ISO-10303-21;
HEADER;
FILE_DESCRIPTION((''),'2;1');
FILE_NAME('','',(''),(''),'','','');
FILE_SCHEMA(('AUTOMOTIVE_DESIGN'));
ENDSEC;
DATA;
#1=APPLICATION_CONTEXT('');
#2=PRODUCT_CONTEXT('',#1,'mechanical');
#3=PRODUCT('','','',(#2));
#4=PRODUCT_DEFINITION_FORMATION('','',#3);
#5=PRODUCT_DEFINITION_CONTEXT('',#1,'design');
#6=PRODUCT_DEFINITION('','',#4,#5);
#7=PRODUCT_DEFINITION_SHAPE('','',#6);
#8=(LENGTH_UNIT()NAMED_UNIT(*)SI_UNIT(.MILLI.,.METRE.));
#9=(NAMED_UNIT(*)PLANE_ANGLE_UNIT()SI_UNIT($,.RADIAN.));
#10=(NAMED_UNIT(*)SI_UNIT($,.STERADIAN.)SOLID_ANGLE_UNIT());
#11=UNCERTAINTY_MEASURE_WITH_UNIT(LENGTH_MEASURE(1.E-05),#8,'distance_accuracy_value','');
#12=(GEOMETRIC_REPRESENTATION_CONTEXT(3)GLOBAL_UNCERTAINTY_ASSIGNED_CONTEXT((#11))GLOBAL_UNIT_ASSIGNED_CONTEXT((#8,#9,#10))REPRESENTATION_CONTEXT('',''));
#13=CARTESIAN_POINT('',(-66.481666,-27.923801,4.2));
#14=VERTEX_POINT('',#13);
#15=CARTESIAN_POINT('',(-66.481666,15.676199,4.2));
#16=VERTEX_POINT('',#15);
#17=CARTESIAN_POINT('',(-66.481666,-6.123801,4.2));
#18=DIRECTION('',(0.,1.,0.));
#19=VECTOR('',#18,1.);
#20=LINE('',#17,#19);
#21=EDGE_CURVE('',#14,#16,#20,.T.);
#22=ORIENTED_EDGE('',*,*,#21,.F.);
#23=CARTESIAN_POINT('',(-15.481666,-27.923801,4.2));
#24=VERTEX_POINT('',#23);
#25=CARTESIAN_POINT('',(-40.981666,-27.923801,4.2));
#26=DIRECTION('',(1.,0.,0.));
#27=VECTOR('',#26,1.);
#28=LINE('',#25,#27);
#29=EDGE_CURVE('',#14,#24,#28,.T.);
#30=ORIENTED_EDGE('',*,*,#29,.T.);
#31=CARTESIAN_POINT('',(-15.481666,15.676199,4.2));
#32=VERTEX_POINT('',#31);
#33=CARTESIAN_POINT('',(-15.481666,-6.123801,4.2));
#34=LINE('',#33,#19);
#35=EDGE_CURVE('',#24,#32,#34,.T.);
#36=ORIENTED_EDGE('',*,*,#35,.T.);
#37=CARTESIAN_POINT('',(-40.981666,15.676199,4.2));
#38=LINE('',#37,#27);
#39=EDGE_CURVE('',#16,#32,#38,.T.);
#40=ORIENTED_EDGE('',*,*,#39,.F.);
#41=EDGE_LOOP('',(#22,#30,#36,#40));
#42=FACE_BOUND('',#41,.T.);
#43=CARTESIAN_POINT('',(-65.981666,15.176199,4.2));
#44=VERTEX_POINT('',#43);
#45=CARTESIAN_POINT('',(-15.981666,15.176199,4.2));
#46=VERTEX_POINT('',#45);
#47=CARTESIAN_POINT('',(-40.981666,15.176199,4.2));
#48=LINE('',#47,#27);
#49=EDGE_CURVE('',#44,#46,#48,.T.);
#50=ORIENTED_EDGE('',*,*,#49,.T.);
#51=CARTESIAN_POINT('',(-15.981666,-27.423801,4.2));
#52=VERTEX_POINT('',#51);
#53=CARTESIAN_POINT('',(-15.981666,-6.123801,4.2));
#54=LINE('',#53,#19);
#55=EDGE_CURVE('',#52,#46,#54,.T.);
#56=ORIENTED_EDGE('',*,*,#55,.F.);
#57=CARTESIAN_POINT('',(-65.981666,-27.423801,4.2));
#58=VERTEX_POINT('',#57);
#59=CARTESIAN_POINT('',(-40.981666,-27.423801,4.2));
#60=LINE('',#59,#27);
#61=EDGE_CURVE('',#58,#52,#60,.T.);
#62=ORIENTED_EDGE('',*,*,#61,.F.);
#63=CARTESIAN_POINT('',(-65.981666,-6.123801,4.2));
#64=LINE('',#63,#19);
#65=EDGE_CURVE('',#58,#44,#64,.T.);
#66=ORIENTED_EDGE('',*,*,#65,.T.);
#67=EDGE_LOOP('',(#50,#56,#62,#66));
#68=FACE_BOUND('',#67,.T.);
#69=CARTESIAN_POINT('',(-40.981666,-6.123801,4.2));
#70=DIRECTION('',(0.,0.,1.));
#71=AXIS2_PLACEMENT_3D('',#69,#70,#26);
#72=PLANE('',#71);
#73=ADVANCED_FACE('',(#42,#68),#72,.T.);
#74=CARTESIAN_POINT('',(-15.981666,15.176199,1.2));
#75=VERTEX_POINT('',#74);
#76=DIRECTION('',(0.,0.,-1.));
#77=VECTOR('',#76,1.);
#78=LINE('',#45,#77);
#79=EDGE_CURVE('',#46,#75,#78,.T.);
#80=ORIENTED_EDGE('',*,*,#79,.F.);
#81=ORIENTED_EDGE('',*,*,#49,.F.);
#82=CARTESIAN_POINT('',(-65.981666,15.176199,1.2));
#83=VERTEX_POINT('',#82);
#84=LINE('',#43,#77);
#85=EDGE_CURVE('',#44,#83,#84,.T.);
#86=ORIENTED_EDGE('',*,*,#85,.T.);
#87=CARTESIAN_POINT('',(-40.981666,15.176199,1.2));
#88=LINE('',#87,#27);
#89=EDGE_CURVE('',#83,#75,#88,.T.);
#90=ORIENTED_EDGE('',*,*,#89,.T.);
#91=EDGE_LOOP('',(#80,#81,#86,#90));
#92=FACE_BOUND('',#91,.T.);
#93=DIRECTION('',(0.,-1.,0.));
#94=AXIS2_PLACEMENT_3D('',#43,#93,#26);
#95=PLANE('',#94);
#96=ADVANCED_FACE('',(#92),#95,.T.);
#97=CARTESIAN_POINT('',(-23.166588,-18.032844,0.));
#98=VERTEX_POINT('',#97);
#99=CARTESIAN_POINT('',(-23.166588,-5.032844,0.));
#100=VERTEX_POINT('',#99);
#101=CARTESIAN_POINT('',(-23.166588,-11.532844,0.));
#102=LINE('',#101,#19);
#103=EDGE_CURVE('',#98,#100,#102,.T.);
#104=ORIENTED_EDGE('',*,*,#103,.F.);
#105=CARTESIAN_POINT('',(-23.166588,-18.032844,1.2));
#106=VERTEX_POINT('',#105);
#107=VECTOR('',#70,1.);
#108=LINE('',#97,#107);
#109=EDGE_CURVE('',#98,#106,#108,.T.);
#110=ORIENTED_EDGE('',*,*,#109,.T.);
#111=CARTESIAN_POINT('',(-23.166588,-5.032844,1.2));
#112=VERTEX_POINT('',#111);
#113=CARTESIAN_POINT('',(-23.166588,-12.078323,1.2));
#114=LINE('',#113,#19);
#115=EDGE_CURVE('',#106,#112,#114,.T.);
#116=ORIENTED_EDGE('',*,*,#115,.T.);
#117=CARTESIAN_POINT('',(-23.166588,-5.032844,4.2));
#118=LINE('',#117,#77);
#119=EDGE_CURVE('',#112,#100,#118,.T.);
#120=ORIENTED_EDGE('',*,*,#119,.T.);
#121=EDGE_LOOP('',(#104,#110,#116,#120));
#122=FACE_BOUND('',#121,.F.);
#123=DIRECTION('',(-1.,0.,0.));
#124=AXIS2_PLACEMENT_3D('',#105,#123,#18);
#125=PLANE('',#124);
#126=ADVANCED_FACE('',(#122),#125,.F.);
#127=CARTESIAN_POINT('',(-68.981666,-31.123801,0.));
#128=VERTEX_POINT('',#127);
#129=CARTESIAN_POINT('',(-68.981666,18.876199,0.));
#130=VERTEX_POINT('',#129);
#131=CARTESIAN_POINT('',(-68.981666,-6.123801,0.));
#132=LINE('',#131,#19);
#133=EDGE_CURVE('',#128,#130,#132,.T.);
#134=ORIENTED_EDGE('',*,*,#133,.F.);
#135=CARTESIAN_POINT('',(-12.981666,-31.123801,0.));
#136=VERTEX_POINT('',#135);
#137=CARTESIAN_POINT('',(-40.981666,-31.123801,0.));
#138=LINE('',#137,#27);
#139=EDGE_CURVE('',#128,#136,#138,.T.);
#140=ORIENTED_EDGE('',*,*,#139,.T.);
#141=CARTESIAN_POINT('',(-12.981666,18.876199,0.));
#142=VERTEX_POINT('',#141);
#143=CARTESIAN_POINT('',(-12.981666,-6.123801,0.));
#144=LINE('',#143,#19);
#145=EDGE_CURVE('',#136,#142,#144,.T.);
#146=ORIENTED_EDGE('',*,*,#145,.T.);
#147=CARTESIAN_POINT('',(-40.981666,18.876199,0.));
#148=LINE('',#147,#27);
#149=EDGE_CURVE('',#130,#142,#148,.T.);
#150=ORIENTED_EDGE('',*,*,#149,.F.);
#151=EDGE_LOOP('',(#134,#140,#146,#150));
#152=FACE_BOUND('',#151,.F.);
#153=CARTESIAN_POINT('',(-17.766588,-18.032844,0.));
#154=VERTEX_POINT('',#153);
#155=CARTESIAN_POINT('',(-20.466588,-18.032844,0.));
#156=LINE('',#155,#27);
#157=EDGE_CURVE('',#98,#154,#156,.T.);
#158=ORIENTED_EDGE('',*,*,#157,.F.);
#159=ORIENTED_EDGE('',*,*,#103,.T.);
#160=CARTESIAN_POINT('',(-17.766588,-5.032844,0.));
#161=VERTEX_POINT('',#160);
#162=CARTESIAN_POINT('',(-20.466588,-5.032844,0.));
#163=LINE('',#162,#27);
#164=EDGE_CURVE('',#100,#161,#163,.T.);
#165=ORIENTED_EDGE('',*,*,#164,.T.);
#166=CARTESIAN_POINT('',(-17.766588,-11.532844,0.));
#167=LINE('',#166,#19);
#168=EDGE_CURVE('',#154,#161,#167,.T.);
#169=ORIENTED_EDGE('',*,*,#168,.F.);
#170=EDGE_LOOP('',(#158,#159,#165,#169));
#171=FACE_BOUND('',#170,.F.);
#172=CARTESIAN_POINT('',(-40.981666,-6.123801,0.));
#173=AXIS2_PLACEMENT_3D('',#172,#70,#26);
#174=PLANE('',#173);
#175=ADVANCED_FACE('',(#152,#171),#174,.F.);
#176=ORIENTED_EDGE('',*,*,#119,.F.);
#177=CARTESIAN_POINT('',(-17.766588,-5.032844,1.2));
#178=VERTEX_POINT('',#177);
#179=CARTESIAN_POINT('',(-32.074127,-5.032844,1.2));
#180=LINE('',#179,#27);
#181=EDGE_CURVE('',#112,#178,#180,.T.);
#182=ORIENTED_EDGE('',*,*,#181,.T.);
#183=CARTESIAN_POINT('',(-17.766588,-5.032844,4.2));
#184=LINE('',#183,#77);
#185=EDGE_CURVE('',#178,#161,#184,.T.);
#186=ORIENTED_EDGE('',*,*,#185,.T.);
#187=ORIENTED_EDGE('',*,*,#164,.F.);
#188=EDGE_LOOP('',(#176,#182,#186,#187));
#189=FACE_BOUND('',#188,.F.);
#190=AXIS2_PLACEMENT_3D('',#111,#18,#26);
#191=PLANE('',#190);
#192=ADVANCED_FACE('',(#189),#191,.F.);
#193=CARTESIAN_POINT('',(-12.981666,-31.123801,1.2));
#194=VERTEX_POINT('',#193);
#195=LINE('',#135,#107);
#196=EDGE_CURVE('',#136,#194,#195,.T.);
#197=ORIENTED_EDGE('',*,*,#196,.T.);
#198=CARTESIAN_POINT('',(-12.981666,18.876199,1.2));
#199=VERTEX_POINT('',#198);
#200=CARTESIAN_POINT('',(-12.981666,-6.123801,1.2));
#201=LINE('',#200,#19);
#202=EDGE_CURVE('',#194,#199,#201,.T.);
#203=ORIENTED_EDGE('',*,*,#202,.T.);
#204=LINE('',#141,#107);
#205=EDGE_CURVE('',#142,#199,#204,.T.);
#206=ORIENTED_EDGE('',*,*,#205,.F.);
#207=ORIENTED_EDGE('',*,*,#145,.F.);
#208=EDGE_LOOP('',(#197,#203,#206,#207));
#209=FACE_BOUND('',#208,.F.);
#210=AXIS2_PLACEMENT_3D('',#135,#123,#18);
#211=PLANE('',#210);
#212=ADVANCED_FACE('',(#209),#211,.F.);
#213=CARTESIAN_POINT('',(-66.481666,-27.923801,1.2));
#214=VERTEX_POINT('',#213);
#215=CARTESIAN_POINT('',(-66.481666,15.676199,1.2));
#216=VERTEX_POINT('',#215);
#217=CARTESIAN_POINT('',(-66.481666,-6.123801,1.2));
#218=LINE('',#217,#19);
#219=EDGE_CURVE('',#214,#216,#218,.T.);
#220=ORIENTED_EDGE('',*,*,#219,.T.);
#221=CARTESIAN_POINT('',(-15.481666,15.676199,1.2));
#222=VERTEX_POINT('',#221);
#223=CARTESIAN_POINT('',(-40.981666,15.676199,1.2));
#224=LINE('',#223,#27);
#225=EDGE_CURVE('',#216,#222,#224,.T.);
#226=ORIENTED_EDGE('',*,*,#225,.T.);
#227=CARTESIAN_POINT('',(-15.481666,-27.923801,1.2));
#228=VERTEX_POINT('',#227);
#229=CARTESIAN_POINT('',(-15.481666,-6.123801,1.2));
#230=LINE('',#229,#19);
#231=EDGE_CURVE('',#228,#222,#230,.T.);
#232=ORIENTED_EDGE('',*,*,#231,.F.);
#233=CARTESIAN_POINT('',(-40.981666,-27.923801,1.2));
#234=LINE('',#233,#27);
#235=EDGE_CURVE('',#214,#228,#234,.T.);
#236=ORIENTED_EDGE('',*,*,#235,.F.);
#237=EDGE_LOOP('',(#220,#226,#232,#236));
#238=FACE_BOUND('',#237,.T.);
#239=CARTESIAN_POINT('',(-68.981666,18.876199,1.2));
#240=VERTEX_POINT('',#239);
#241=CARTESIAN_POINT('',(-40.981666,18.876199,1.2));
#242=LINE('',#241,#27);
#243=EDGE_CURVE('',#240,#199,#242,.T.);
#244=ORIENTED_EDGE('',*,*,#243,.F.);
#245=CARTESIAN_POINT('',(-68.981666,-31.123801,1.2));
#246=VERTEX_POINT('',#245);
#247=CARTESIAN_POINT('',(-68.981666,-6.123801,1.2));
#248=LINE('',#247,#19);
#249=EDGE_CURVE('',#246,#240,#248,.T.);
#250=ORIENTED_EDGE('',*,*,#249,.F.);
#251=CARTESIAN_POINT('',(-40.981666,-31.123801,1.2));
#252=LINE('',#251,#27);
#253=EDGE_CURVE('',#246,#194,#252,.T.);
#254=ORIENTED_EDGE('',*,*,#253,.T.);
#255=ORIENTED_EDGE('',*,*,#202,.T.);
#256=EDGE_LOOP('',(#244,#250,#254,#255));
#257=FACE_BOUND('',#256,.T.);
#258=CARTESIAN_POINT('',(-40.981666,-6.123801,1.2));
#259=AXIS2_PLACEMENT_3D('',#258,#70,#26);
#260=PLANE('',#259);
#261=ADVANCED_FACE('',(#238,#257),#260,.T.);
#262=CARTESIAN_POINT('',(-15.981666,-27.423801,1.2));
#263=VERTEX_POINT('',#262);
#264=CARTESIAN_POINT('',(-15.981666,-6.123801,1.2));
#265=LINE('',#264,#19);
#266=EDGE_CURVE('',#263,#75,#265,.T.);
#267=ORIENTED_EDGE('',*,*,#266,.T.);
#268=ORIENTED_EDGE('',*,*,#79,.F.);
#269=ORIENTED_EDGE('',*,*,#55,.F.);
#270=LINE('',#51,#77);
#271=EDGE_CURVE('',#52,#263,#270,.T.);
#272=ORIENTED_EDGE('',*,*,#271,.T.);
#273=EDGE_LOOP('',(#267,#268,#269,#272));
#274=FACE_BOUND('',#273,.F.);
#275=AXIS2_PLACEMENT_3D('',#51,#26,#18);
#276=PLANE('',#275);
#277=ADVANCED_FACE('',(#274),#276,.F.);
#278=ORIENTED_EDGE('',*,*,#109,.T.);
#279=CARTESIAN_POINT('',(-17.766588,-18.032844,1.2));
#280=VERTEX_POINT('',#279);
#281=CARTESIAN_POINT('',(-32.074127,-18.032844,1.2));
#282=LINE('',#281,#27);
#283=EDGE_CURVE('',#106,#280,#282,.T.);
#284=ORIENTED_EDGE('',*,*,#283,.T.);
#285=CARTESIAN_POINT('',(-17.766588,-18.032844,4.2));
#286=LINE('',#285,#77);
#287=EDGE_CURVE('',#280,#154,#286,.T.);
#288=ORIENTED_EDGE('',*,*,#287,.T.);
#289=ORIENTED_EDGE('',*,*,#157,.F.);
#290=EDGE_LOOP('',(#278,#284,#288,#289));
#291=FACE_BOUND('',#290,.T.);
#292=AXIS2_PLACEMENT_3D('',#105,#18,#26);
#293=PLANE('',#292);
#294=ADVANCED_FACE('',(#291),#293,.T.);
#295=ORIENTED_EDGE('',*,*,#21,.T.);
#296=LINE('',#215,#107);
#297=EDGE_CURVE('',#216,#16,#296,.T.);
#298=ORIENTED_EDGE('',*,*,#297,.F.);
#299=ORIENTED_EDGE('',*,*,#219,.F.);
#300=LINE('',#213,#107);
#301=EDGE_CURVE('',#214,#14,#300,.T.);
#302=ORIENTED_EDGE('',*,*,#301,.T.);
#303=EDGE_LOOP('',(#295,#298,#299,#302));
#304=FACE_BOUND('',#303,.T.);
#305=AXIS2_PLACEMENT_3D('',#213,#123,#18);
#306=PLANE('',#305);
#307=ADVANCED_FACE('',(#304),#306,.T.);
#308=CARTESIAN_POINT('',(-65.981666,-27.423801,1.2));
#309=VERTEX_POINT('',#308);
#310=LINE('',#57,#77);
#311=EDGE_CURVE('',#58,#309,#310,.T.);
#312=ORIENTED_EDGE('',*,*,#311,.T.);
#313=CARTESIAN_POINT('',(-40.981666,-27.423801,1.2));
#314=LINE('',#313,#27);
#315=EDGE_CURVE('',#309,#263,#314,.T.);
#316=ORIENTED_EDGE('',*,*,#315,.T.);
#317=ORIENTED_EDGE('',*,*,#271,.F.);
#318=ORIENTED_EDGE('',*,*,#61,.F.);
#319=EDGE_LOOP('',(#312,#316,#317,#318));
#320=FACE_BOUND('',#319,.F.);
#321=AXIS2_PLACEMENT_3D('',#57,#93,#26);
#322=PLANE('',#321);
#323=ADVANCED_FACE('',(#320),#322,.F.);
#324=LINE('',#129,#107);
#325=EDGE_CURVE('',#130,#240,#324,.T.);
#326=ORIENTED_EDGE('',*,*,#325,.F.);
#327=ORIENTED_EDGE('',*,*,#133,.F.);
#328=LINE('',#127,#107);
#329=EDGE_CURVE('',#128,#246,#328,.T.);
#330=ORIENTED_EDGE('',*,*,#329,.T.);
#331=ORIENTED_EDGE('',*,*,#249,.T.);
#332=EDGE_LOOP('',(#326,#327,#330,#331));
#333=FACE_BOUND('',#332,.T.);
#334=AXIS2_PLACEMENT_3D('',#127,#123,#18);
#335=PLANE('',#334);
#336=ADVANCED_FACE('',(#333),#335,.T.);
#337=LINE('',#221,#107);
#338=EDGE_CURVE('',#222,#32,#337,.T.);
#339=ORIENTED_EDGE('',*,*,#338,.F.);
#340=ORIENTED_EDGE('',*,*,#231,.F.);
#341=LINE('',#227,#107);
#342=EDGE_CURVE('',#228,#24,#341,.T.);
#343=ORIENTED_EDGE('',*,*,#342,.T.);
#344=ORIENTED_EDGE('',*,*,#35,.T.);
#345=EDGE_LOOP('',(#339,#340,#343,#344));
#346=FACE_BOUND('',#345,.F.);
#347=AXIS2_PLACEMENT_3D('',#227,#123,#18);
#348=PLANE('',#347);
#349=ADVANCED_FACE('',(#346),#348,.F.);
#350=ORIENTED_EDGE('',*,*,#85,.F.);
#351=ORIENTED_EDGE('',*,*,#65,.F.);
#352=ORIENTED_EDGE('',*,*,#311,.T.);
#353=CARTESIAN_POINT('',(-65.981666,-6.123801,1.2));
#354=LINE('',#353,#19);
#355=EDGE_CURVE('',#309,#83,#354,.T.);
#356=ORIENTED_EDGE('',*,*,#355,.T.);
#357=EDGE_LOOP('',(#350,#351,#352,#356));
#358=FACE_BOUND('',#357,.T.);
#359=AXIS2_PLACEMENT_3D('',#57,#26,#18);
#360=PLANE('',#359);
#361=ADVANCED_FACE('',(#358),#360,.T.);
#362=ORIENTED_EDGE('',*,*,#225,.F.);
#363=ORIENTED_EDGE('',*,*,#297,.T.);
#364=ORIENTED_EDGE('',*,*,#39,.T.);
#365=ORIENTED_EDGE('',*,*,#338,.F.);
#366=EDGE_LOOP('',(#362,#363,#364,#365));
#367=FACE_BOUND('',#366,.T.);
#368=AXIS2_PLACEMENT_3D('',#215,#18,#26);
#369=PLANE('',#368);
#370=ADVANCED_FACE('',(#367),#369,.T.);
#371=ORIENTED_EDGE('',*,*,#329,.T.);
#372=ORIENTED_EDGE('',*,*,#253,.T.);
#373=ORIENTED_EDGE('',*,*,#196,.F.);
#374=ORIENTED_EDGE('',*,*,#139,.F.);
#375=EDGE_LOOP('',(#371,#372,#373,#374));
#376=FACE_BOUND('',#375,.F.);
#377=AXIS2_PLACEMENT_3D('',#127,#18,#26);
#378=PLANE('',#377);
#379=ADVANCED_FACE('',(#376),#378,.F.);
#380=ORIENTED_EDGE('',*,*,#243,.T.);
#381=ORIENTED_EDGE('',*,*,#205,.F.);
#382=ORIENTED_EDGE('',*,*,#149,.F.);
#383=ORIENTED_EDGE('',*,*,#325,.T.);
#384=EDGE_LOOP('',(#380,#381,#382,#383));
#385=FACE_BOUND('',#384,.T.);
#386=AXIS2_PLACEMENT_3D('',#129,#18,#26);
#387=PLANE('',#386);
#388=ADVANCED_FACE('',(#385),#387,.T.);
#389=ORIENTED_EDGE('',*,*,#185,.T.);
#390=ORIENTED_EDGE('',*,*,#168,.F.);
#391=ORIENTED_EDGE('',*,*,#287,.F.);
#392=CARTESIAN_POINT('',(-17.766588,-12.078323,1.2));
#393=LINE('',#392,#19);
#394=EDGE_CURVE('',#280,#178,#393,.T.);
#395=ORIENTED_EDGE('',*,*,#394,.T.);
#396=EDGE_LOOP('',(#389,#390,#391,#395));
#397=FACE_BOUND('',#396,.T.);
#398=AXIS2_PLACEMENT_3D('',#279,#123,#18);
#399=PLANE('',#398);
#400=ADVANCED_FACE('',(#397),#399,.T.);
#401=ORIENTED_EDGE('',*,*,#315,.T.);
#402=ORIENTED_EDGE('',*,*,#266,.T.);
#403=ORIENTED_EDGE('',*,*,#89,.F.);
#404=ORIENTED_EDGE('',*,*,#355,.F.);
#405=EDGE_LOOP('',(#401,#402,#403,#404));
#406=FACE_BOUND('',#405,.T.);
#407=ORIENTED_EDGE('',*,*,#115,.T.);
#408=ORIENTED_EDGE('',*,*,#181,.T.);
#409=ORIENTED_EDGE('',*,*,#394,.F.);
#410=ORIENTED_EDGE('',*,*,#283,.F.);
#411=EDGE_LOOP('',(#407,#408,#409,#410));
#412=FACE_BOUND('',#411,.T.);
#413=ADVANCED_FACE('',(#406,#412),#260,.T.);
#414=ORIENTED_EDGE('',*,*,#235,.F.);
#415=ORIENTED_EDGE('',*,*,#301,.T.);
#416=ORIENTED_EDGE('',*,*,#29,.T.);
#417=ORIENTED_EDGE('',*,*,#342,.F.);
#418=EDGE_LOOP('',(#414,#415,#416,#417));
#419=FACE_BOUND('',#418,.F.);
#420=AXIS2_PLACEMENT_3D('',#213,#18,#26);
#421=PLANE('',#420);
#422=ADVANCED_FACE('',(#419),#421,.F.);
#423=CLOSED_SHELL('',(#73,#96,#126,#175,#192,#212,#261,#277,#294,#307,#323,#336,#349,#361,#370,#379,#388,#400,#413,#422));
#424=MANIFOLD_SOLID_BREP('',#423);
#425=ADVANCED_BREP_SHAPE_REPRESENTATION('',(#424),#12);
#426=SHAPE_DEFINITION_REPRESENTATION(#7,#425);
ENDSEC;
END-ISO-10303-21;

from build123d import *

# Parameters (mm, degrees)
F0_W     = 56
F0_H     = 50
F1_DEPTH = 1.2
F2_W     = 5.4
F2_H     = 13
F3_DEPTH = 1.2
F4_W     = 51
F4_H     = 43.6
F4_W_2   = 5.4
F4_H_2   = 13
F5_DEPTH = 3
F6_W     = 50
F6_H     = 42.6
F7_DEPTH = 3


with BuildPart() as f1:
    # F0 (on Top) → F1 (new body)
    with BuildSketch(Plane.XY):
        with Locations((-40.981666, -6.123801)):
            Rectangle(F0_W, F0_H)
    extrude(amount=F1_DEPTH)

    # F2 (on face) → F3 (cut)
    with BuildSketch(Plane.XY.offset(1.2)):
        with Locations((-20.466588, -11.532844)):
            Rectangle(F2_W, F2_H)
    extrude(amount=-F3_DEPTH, mode=Mode.SUBTRACT)

    # F4 (on face) → F5 (join)
    with BuildSketch(Plane.XY.offset(1.2)):
        with Locations((-40.981666, -6.123801)):
            Rectangle(F4_W, F4_H)
        with Locations((-20.466588, -11.532844)):
            Rectangle(F4_W_2, F4_H_2, mode=Mode.SUBTRACT)
    extrude(amount=F5_DEPTH)

    # F6 (on face) → F7 (cut)
    with BuildSketch(Plane.XY.offset(4.2)):
        with Locations((-40.981666, -6.123801)):
            Rectangle(F6_W, F6_H)
    extrude(amount=-F7_DEPTH, mode=Mode.SUBTRACT)


solid = f1.part
